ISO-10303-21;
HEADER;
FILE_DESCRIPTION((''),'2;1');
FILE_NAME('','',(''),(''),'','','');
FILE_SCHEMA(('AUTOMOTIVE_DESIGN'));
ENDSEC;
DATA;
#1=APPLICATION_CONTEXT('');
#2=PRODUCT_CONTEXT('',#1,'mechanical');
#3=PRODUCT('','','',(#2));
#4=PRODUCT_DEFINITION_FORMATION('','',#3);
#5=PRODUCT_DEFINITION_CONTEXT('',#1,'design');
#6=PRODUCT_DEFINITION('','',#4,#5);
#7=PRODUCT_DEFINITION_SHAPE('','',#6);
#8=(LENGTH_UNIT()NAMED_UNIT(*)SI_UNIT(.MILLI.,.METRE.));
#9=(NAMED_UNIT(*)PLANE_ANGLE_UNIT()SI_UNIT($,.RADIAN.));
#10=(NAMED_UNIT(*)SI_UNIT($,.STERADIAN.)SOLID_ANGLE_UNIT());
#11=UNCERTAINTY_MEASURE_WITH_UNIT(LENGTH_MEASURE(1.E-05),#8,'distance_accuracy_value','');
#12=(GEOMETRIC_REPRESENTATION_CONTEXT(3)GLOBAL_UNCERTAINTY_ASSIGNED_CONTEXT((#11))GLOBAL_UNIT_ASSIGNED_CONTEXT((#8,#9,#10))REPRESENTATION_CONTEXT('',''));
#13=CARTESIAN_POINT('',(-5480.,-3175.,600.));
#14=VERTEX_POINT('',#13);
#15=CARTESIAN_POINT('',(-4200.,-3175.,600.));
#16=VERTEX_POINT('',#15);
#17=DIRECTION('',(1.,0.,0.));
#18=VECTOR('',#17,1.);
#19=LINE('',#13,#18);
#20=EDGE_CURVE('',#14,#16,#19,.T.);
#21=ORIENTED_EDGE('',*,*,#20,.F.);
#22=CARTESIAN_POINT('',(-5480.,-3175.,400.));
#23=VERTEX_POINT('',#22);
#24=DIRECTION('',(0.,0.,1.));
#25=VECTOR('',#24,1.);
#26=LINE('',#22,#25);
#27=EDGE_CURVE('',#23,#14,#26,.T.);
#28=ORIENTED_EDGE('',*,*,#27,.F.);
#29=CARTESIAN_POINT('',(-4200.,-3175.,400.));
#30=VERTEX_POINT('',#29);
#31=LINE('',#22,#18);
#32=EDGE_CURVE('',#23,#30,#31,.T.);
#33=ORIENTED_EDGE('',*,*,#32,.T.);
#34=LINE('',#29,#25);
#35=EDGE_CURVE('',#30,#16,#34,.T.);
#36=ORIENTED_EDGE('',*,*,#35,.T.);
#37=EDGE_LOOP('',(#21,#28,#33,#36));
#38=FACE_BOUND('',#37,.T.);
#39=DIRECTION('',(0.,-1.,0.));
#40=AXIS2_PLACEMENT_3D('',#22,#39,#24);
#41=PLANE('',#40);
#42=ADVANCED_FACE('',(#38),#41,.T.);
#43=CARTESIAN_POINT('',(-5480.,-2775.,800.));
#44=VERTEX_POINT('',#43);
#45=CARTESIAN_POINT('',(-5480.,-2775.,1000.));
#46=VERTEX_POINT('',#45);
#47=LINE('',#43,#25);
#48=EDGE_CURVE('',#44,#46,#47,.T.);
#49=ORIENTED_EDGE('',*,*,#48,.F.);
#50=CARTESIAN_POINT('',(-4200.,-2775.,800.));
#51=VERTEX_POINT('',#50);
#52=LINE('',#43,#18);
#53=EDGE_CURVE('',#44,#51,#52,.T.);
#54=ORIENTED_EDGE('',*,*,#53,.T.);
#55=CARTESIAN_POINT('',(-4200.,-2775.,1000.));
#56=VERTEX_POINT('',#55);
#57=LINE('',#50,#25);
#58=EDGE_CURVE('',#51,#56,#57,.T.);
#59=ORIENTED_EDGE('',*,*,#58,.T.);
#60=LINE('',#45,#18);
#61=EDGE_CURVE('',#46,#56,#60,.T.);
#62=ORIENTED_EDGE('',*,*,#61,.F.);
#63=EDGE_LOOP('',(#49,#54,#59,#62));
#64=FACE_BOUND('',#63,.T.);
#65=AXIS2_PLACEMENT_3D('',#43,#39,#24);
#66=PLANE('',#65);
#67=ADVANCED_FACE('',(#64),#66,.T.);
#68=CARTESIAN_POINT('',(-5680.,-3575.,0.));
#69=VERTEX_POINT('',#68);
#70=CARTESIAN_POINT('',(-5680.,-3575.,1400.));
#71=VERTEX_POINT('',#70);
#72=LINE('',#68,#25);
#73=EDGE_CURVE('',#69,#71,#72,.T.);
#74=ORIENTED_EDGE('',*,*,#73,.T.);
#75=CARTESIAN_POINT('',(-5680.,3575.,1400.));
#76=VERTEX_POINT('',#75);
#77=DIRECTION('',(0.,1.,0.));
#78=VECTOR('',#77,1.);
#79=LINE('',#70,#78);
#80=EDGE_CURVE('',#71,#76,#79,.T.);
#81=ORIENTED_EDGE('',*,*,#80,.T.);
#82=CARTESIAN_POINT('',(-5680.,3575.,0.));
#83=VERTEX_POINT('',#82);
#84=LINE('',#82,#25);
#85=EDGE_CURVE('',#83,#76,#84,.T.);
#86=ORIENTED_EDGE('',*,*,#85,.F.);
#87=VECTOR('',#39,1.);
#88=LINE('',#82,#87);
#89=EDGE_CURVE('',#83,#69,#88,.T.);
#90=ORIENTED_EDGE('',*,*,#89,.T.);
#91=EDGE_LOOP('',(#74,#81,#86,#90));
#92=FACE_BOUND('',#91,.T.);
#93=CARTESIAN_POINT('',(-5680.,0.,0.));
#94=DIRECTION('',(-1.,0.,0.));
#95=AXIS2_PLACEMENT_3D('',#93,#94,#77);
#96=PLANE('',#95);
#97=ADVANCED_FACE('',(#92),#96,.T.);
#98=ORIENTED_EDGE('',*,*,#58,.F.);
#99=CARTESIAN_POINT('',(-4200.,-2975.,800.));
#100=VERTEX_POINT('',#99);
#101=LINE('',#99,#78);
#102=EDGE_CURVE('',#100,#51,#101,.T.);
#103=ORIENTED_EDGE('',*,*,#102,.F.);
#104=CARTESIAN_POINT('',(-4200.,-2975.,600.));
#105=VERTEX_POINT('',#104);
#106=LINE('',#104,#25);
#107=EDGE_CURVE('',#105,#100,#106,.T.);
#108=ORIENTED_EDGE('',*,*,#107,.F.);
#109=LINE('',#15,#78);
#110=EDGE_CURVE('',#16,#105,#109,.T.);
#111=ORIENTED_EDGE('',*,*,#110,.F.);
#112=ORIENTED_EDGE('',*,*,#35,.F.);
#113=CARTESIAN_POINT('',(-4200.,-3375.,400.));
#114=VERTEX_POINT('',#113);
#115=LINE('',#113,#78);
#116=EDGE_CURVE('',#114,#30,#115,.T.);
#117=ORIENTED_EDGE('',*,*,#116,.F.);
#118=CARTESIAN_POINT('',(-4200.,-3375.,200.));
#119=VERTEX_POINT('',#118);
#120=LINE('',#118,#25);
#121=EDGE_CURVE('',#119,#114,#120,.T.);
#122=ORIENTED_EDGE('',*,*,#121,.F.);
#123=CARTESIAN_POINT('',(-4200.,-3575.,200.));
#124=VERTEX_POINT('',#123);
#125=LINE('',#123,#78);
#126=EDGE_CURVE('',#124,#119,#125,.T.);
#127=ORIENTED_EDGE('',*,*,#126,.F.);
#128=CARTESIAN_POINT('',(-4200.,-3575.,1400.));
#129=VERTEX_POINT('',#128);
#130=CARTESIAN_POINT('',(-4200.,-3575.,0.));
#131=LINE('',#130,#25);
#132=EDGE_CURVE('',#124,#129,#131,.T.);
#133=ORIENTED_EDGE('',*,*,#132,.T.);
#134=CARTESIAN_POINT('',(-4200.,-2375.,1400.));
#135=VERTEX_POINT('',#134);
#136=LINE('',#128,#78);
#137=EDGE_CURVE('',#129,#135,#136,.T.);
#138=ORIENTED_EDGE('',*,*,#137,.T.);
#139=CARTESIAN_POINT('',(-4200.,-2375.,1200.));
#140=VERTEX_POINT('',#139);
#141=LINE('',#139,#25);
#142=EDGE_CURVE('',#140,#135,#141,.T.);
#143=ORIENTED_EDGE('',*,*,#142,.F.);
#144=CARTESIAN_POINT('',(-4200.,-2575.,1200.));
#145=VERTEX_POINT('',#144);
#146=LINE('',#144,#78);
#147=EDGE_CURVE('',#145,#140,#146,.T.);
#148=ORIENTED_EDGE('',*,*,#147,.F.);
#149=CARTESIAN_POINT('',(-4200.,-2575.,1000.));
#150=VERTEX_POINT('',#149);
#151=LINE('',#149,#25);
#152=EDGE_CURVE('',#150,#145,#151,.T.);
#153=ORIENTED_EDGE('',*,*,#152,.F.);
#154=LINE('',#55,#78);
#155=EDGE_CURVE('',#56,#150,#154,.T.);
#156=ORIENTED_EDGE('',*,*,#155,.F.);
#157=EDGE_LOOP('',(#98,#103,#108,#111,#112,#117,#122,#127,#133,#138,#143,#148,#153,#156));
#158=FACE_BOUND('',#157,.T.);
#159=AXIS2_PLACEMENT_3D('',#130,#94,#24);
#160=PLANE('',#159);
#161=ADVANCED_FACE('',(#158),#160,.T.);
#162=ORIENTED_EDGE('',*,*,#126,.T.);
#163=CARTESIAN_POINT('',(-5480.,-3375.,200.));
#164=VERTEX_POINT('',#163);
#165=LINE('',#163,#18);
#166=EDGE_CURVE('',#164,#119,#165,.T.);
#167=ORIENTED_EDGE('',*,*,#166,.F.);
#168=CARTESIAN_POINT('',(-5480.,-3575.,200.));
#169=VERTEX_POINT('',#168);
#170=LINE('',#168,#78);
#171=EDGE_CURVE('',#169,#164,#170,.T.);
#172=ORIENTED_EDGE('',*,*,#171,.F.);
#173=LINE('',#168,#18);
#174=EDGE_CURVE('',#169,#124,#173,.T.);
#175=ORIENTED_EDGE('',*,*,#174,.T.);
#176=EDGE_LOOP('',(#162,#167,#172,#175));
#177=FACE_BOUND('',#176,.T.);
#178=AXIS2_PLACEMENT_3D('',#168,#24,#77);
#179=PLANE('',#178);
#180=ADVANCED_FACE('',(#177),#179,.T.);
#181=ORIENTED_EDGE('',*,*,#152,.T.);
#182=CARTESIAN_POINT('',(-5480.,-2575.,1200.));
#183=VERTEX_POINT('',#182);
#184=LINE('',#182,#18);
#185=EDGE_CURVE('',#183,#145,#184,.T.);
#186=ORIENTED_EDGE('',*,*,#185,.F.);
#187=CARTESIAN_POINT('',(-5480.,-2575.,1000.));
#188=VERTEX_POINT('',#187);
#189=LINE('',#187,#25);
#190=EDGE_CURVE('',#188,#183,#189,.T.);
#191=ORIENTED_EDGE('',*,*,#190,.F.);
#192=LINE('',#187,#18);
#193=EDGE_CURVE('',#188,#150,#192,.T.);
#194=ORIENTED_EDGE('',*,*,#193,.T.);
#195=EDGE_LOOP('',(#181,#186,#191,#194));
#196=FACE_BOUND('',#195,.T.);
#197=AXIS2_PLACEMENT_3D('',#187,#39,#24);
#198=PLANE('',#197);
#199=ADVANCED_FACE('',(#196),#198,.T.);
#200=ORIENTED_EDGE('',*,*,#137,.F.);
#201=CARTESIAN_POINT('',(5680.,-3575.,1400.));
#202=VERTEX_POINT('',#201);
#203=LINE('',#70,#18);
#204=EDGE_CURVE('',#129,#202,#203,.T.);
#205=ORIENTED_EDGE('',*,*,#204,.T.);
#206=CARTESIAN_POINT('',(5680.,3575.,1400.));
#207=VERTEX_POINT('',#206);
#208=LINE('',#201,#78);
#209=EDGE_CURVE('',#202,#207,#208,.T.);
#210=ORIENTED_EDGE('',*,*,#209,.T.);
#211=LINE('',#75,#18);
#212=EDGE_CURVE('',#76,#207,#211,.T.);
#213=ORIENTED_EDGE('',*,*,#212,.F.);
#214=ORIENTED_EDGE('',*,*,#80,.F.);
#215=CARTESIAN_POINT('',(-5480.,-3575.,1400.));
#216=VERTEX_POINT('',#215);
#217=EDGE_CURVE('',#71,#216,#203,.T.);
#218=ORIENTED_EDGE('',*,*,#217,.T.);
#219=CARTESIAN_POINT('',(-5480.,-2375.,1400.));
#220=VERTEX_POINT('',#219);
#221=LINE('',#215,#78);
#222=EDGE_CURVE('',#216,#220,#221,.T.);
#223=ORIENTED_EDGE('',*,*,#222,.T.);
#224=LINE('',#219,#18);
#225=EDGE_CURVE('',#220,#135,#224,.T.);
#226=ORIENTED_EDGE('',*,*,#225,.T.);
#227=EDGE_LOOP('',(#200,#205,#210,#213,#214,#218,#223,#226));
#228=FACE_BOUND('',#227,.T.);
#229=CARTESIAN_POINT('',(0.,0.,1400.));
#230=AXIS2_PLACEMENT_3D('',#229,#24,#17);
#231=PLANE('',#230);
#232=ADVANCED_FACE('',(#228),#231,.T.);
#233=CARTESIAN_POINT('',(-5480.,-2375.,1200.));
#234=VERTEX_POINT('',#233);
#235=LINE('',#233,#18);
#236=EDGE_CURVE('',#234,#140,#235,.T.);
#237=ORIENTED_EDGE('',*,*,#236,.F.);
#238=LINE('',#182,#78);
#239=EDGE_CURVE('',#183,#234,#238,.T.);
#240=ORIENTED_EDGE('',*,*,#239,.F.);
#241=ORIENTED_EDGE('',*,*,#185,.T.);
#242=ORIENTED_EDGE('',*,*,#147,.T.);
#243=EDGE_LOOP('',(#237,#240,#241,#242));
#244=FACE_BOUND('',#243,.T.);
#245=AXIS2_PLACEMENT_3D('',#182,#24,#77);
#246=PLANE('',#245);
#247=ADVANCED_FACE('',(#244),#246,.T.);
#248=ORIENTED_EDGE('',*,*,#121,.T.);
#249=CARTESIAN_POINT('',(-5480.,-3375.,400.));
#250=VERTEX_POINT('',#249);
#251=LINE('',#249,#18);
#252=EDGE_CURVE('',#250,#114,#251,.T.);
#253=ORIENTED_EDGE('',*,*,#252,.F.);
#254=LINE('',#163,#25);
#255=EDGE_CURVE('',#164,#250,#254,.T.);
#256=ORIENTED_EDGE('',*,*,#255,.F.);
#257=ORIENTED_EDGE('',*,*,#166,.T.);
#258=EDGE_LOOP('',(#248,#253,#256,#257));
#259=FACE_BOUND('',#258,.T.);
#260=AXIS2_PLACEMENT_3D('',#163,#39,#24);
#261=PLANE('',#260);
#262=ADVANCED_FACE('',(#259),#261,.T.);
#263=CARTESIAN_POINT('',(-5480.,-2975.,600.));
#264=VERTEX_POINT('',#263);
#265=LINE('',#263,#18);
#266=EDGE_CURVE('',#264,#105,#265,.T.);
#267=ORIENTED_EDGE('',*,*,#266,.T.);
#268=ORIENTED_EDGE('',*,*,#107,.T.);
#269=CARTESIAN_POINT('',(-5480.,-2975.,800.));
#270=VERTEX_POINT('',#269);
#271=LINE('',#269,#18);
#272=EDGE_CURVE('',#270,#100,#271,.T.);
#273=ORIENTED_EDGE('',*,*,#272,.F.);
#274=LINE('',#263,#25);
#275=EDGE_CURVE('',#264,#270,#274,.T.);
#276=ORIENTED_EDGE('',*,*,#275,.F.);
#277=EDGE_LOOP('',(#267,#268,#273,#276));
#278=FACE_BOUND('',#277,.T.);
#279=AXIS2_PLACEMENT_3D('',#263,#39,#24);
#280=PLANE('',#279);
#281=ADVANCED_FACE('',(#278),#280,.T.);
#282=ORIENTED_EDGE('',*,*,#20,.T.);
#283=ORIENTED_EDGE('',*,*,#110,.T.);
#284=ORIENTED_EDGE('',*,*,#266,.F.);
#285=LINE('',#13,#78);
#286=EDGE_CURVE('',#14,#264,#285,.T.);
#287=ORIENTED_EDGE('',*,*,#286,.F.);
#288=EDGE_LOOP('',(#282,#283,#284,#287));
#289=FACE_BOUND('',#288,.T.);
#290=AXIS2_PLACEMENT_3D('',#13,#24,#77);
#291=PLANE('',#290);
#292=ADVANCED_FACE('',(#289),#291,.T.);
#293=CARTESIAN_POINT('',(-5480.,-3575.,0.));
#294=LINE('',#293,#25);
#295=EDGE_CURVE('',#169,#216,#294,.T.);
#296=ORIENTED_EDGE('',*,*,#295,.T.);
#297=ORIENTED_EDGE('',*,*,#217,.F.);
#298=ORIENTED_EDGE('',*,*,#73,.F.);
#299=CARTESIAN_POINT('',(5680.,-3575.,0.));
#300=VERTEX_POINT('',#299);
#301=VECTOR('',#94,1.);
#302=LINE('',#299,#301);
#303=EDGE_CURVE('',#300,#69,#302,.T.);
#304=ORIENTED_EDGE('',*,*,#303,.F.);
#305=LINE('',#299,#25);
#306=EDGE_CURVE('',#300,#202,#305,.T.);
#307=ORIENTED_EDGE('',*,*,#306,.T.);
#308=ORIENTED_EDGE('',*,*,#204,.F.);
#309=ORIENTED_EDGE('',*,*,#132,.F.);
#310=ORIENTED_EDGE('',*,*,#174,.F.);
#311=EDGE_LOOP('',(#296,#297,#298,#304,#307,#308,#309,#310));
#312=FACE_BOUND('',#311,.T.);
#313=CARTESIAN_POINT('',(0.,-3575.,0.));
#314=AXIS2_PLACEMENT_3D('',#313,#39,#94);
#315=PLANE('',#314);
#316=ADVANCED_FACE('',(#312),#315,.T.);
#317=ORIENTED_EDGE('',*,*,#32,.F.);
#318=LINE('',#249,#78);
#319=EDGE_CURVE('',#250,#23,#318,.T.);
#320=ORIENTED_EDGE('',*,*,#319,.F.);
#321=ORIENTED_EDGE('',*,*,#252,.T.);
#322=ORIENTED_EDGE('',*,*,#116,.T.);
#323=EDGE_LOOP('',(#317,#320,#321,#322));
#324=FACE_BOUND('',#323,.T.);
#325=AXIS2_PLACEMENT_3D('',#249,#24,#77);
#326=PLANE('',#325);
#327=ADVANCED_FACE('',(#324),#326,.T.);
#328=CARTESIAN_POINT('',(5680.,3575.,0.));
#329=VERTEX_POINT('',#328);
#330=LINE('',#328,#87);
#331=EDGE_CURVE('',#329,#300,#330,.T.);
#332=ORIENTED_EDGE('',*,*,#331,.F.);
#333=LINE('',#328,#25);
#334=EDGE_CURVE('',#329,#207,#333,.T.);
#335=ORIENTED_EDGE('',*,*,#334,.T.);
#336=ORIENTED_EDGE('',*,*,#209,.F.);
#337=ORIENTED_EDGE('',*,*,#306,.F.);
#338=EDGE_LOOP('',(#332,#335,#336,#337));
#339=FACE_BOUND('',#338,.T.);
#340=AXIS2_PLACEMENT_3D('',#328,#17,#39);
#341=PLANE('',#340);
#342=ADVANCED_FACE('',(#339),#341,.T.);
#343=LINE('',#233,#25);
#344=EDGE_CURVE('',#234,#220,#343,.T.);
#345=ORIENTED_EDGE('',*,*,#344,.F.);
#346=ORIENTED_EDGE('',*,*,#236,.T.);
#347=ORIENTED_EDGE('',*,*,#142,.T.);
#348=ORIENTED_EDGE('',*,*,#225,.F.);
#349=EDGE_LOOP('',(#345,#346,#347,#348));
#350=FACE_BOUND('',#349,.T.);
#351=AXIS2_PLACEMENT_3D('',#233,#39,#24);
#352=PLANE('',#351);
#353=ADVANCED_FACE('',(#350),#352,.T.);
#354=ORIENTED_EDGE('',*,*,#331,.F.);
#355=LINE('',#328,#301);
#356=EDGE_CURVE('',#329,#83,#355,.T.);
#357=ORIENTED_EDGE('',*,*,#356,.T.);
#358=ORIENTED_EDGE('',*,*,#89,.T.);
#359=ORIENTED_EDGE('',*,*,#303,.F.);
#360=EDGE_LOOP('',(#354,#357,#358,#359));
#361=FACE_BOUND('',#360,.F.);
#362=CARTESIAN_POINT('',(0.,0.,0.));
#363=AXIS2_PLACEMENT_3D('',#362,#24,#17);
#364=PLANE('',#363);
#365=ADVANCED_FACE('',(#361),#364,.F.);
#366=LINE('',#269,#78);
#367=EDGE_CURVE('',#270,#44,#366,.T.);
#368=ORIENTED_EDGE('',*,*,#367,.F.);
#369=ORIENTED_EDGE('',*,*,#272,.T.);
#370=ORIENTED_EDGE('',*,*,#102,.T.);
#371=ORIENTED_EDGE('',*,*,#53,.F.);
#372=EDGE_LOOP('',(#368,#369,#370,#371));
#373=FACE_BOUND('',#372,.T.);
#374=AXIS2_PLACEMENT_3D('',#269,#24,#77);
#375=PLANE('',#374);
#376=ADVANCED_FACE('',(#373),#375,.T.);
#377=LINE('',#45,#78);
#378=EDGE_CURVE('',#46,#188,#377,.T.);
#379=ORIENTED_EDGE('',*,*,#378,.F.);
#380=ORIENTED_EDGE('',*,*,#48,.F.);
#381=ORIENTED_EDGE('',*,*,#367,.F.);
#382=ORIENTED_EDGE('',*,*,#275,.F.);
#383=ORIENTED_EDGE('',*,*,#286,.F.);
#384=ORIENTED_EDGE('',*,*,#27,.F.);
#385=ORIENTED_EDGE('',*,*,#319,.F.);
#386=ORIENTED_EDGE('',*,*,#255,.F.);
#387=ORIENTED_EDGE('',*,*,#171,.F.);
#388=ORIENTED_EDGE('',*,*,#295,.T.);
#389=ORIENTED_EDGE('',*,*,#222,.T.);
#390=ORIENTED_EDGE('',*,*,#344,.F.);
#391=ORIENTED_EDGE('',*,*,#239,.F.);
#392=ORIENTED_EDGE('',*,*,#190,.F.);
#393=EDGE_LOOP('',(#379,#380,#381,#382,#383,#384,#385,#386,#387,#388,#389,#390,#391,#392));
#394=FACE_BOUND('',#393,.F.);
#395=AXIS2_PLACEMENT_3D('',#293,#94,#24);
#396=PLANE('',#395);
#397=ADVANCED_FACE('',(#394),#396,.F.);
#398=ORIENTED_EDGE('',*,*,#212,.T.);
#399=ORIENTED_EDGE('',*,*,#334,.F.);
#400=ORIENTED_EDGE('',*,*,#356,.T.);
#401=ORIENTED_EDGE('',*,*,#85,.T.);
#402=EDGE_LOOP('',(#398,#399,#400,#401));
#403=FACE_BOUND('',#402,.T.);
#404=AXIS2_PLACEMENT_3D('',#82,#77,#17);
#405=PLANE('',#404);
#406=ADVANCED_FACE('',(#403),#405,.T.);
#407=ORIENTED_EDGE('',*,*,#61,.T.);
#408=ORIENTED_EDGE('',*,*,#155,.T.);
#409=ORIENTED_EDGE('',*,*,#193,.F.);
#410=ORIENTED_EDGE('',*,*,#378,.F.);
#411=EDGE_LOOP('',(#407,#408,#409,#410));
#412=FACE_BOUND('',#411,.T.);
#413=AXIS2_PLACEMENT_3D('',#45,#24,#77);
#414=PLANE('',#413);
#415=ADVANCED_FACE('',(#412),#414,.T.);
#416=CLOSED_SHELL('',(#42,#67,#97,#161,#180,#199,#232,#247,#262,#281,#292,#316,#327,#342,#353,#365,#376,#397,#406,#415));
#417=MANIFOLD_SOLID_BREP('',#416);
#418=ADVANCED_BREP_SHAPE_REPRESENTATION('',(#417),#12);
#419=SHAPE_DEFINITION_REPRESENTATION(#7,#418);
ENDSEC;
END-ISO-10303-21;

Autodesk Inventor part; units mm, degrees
ref_plane "YZ Plane" through (0, 0, 0) normal (1, 0, 0) x (0, 1, 0)
ref_plane "XZ Plane" through (0, 0, 0) normal (0, 1, 0) x (-1, 0, 0)
ref_plane "XY Plane" through (0, 0, 0) normal (0, 0, 1) x (1, 0, 0)
sketch "Skizze1" plane through (0, 0, 0) normal (0, 0, 1) x (1, 0, 0)
  line L0 (-5680, 3575) -> (5680, 3575)
  line L1 (5680, 3575) -> (5680, -3575)
  line L2 (5680, -3575) -> (-5680, -3575)
  line L3 (-5680, -3575) -> (-5680, 3575)
  line L4 (-7952, 0) -> (7952, 0) projected
  line L5 (0, -5005) -> (0, 5005) projected
  dimension "d0" = 11360
  dimension "d1" = 7150
extrude "Extrusion1" add sketch "Skizze1" along normal blind 1400
ref_plane "Arbeitsebene1" through (-5480, -3575, 0) normal (-1, 0, 0) x (0, 0, 1)
sketch "Skizze2" plane through (-5480, -3575, 0) normal (-1, 0, 0) x (0, 0, 1)
  line L0 (0, 7150) -> (0, 0) projected
  line L1 (0, 7150) -> (1400, 7150) projected
  line L2 (1400, 0) -> (1400, 7150) projected
  line L3 (0, 0) -> (1400, 0) projected
  line L4 (0, 0) -> (200, 0)
  line L5 (0, 0) -> (1400, 0) projected
  line L6 (200, 0) -> (200, 200)
  line L7 (200, 200) -> (400, 200)
  line L8 (400, 200) -> (400, 400)
  line L9 (400, 400) -> (600, 400)
  line L10 (600, 400) -> (600, 600)
  line L11 (600, 600) -> (800, 600)
  line L12 (800, 600) -> (800, 800)
  line L13 (800, 800) -> (1000, 800)
  line L14 (1400, 0) -> (1400, 7150) projected
  line L15 (1400, 0) -> (200, 0)
  line L16 (1000, 800) -> (1000, 1000)
  line L17 (1000, 1000) -> (1200, 1000)
  line L18 (1200, 1000) -> (1200, 1200)
  line L19 (1200, 1200) -> (1400, 1200)
  line L20 (1400, 7150) -> (1400, 0) projected
  line L21 (1400, 1200) -> (1400, 0)
  dimension "d5" = 200
  dimension "d6" = 200
  dimension "d7" = 200
  dimension "d8" = 200
  dimension "d9" = 200
  dimension "d10" = 200
  dimension "d11" = 200
  dimension "d12" = 200
  dimension "d15" = 200
  dimension "d16" = 200
  dimension "d17" = 200
  dimension "d18" = 200
extrude "Extrusion3" cut sketch "Skizze2" against normal blind 1280 contours L6 L7 L8 L9 L10 L11 L12 L13 L16 L17 L18 L19 L2 L3
sketch "Skizze4" plane through (0, 0, 1400) normal (0, 0, 1) x (1, 0, 0)
  line L0 (-5480, -3575) -> (-5480, -2375) projected
  line L1 (-5480, -2375) -> (-4200, -2375) projected
  line L2 (-4200, -2375) -> (-4200, -3575) projected
  line L3 (-4200, -3575) -> (5680, -3575) projected
  line L4 (5680, -3575) -> (5680, 3575) projected
  line L5 (5680, 3575) -> (-5680, 3575) projected
  line L6 (-5680, 3575) -> (-5680, -3575) projected
  line L7 (-5680, -3575) -> (-5480, -3575) projected
  line L8 (-5680, -3575) -> (-5680, 3575) projected
  line L9 (-5680, -3575) -> (-5680, 3575)
  line L10 (-5680, 3575) -> (5680, 3575) projected
  line L11 (-5680, 3575) -> (5680, 3575)
  line L12 (5680, -3575) -> (-5680, -3575) projected
  line L13 (5680, 3575) -> (5680, -3575)
  line L14 (5680, -3575) -> (-4200, -3575)
  line L15 (-4200, -3575) -> (-4200, -2275)
  line L16 (-4200, -2275) -> (-5480, -2275)
  line L17 (-5480, -3575) -> (-5480, -2375) projected
  line L18 (-5480, -2275) -> (-5480, -3575)
  line L19 (-5480, -3575) -> (-5680, -3575)
  line L20 (-5680, 3575) -> (-5680, -3575)
  line L21 (-5480, -2275) -> (-5480, 3375)
  line L22 (-5480, 3375) -> (5480, 3375)
  line L23 (5480, 3375) -> (5480, -3375)
  line L24 (5480, -3375) -> (-4000, -3375)
  line L25 (-4000, -3375) -> (-4000, -2075)
  line L26 (-4000, -2075) -> (-5480, -2075)
  dimension "d41" = 200
  dimension "d42" = 200
  dimension "d43" = 200
  dimension "d44" = 200
  dimension "d45" = 200
  dimension "d46" = 1300
sketch "Skizze5" plane through (0, 0, 1400) normal (0, 0, 1) x (1, 0, 0)
  line L0 (-5480, -2075) -> (-5480, 3375) projected
  line L1 (-5480, 3375) -> (5480, 3375) projected
  line L2 (5480, 3375) -> (5480, -3375) projected
  line L3 (5480, -3375) -> (-4000, -3375) projected
  line L4 (-4000, -3375) -> (-4000, -2075) projected
  line L5 (-4000, -2075) -> (-5480, -2075) projected
  line L6 (-4200, -3575) -> (5680, -3575) projected
  line L7 (5680, -3575) -> (5680, 3575) projected
  line L8 (5680, 3575) -> (-5680, 3575) projected
  line L9 (-5680, 3575) -> (-5680, -3575) projected
  line L10 (-5680, -3575) -> (-5480, -3575) projected
  line L11 (-5480, -3575) -> (-5480, -2275) projected
  line L12 (-5480, -2275) -> (-4200, -2275) projected
  line L13 (-4200, -2275) -> (-4200, -3575) projected
  line L14 (5480, 3375) -> (5480, -3375) projected
  line L15 (-1140, -3375) -> (-1140, 25)
  line L16 (-1140, 25) -> (5480, 25)
  line L17 (-1340, -3375) -> (-1340, 25)
  line L18 (-1340, 25) -> (-2310, 25)
  line L19 (-2310, 25) -> (-2310, 225)
  line L20 (-2310, 225) -> (5480, 225)
  line L21 (-5480, 1775) -> (-1430, 1775)
  line L22 (-1430, 1775) -> (-1430, 3375)
  line L23 (-5480, 1575) -> (-1230, 1575)
  line L24 (-1230, 1575) -> (-1230, 3375)
  line L25 (-5480, 1575) -> (-5480, 1775)
  line L26 (-1430, 3375) -> (-1230, 3375)
  line L27 (-1330, -3375) -> (-1140, -3375)
  line L28 (5480, 225) -> (5480, 25)
  line L29 (5680, 3575) -> (5680, -3575) projected
  line L30 (5480, 3375) -> (-5480, 3375) projected
  line L31 (1630, 3375) -> (1630, 225)
  line L32 (1430, 3375) -> (1430, 225)
  line L33 (1430, 3375) -> (1630, 3375)
  dimension "d49" = 200
  dimension "d50" = 200
  dimension "d51" = 6620
  dimension "d52" = 3400
  dimension "d53" = 970
  dimension "d54" = 1600
  dimension "d55" = 200
  dimension "d56" = 4050
  dimension "d57" = 200
  dimension "d60" = 3850
  dimension "d61" = 200
equation "\"d6\" = d5"
equation "\"d7\" = d5"
equation "\"d8\" = d5"
equation "\"d10\" = d9"
equation "\"d11\" = d9"
equation "\"d12\" = d9"
equation "\"d15\" = d6"
equation "\"d16\" = d9"
equation "\"d17\" = d9"
equation "\"d18\" = d9"
properties part number "Grundriss_Haus" material "Beton, Poren"
